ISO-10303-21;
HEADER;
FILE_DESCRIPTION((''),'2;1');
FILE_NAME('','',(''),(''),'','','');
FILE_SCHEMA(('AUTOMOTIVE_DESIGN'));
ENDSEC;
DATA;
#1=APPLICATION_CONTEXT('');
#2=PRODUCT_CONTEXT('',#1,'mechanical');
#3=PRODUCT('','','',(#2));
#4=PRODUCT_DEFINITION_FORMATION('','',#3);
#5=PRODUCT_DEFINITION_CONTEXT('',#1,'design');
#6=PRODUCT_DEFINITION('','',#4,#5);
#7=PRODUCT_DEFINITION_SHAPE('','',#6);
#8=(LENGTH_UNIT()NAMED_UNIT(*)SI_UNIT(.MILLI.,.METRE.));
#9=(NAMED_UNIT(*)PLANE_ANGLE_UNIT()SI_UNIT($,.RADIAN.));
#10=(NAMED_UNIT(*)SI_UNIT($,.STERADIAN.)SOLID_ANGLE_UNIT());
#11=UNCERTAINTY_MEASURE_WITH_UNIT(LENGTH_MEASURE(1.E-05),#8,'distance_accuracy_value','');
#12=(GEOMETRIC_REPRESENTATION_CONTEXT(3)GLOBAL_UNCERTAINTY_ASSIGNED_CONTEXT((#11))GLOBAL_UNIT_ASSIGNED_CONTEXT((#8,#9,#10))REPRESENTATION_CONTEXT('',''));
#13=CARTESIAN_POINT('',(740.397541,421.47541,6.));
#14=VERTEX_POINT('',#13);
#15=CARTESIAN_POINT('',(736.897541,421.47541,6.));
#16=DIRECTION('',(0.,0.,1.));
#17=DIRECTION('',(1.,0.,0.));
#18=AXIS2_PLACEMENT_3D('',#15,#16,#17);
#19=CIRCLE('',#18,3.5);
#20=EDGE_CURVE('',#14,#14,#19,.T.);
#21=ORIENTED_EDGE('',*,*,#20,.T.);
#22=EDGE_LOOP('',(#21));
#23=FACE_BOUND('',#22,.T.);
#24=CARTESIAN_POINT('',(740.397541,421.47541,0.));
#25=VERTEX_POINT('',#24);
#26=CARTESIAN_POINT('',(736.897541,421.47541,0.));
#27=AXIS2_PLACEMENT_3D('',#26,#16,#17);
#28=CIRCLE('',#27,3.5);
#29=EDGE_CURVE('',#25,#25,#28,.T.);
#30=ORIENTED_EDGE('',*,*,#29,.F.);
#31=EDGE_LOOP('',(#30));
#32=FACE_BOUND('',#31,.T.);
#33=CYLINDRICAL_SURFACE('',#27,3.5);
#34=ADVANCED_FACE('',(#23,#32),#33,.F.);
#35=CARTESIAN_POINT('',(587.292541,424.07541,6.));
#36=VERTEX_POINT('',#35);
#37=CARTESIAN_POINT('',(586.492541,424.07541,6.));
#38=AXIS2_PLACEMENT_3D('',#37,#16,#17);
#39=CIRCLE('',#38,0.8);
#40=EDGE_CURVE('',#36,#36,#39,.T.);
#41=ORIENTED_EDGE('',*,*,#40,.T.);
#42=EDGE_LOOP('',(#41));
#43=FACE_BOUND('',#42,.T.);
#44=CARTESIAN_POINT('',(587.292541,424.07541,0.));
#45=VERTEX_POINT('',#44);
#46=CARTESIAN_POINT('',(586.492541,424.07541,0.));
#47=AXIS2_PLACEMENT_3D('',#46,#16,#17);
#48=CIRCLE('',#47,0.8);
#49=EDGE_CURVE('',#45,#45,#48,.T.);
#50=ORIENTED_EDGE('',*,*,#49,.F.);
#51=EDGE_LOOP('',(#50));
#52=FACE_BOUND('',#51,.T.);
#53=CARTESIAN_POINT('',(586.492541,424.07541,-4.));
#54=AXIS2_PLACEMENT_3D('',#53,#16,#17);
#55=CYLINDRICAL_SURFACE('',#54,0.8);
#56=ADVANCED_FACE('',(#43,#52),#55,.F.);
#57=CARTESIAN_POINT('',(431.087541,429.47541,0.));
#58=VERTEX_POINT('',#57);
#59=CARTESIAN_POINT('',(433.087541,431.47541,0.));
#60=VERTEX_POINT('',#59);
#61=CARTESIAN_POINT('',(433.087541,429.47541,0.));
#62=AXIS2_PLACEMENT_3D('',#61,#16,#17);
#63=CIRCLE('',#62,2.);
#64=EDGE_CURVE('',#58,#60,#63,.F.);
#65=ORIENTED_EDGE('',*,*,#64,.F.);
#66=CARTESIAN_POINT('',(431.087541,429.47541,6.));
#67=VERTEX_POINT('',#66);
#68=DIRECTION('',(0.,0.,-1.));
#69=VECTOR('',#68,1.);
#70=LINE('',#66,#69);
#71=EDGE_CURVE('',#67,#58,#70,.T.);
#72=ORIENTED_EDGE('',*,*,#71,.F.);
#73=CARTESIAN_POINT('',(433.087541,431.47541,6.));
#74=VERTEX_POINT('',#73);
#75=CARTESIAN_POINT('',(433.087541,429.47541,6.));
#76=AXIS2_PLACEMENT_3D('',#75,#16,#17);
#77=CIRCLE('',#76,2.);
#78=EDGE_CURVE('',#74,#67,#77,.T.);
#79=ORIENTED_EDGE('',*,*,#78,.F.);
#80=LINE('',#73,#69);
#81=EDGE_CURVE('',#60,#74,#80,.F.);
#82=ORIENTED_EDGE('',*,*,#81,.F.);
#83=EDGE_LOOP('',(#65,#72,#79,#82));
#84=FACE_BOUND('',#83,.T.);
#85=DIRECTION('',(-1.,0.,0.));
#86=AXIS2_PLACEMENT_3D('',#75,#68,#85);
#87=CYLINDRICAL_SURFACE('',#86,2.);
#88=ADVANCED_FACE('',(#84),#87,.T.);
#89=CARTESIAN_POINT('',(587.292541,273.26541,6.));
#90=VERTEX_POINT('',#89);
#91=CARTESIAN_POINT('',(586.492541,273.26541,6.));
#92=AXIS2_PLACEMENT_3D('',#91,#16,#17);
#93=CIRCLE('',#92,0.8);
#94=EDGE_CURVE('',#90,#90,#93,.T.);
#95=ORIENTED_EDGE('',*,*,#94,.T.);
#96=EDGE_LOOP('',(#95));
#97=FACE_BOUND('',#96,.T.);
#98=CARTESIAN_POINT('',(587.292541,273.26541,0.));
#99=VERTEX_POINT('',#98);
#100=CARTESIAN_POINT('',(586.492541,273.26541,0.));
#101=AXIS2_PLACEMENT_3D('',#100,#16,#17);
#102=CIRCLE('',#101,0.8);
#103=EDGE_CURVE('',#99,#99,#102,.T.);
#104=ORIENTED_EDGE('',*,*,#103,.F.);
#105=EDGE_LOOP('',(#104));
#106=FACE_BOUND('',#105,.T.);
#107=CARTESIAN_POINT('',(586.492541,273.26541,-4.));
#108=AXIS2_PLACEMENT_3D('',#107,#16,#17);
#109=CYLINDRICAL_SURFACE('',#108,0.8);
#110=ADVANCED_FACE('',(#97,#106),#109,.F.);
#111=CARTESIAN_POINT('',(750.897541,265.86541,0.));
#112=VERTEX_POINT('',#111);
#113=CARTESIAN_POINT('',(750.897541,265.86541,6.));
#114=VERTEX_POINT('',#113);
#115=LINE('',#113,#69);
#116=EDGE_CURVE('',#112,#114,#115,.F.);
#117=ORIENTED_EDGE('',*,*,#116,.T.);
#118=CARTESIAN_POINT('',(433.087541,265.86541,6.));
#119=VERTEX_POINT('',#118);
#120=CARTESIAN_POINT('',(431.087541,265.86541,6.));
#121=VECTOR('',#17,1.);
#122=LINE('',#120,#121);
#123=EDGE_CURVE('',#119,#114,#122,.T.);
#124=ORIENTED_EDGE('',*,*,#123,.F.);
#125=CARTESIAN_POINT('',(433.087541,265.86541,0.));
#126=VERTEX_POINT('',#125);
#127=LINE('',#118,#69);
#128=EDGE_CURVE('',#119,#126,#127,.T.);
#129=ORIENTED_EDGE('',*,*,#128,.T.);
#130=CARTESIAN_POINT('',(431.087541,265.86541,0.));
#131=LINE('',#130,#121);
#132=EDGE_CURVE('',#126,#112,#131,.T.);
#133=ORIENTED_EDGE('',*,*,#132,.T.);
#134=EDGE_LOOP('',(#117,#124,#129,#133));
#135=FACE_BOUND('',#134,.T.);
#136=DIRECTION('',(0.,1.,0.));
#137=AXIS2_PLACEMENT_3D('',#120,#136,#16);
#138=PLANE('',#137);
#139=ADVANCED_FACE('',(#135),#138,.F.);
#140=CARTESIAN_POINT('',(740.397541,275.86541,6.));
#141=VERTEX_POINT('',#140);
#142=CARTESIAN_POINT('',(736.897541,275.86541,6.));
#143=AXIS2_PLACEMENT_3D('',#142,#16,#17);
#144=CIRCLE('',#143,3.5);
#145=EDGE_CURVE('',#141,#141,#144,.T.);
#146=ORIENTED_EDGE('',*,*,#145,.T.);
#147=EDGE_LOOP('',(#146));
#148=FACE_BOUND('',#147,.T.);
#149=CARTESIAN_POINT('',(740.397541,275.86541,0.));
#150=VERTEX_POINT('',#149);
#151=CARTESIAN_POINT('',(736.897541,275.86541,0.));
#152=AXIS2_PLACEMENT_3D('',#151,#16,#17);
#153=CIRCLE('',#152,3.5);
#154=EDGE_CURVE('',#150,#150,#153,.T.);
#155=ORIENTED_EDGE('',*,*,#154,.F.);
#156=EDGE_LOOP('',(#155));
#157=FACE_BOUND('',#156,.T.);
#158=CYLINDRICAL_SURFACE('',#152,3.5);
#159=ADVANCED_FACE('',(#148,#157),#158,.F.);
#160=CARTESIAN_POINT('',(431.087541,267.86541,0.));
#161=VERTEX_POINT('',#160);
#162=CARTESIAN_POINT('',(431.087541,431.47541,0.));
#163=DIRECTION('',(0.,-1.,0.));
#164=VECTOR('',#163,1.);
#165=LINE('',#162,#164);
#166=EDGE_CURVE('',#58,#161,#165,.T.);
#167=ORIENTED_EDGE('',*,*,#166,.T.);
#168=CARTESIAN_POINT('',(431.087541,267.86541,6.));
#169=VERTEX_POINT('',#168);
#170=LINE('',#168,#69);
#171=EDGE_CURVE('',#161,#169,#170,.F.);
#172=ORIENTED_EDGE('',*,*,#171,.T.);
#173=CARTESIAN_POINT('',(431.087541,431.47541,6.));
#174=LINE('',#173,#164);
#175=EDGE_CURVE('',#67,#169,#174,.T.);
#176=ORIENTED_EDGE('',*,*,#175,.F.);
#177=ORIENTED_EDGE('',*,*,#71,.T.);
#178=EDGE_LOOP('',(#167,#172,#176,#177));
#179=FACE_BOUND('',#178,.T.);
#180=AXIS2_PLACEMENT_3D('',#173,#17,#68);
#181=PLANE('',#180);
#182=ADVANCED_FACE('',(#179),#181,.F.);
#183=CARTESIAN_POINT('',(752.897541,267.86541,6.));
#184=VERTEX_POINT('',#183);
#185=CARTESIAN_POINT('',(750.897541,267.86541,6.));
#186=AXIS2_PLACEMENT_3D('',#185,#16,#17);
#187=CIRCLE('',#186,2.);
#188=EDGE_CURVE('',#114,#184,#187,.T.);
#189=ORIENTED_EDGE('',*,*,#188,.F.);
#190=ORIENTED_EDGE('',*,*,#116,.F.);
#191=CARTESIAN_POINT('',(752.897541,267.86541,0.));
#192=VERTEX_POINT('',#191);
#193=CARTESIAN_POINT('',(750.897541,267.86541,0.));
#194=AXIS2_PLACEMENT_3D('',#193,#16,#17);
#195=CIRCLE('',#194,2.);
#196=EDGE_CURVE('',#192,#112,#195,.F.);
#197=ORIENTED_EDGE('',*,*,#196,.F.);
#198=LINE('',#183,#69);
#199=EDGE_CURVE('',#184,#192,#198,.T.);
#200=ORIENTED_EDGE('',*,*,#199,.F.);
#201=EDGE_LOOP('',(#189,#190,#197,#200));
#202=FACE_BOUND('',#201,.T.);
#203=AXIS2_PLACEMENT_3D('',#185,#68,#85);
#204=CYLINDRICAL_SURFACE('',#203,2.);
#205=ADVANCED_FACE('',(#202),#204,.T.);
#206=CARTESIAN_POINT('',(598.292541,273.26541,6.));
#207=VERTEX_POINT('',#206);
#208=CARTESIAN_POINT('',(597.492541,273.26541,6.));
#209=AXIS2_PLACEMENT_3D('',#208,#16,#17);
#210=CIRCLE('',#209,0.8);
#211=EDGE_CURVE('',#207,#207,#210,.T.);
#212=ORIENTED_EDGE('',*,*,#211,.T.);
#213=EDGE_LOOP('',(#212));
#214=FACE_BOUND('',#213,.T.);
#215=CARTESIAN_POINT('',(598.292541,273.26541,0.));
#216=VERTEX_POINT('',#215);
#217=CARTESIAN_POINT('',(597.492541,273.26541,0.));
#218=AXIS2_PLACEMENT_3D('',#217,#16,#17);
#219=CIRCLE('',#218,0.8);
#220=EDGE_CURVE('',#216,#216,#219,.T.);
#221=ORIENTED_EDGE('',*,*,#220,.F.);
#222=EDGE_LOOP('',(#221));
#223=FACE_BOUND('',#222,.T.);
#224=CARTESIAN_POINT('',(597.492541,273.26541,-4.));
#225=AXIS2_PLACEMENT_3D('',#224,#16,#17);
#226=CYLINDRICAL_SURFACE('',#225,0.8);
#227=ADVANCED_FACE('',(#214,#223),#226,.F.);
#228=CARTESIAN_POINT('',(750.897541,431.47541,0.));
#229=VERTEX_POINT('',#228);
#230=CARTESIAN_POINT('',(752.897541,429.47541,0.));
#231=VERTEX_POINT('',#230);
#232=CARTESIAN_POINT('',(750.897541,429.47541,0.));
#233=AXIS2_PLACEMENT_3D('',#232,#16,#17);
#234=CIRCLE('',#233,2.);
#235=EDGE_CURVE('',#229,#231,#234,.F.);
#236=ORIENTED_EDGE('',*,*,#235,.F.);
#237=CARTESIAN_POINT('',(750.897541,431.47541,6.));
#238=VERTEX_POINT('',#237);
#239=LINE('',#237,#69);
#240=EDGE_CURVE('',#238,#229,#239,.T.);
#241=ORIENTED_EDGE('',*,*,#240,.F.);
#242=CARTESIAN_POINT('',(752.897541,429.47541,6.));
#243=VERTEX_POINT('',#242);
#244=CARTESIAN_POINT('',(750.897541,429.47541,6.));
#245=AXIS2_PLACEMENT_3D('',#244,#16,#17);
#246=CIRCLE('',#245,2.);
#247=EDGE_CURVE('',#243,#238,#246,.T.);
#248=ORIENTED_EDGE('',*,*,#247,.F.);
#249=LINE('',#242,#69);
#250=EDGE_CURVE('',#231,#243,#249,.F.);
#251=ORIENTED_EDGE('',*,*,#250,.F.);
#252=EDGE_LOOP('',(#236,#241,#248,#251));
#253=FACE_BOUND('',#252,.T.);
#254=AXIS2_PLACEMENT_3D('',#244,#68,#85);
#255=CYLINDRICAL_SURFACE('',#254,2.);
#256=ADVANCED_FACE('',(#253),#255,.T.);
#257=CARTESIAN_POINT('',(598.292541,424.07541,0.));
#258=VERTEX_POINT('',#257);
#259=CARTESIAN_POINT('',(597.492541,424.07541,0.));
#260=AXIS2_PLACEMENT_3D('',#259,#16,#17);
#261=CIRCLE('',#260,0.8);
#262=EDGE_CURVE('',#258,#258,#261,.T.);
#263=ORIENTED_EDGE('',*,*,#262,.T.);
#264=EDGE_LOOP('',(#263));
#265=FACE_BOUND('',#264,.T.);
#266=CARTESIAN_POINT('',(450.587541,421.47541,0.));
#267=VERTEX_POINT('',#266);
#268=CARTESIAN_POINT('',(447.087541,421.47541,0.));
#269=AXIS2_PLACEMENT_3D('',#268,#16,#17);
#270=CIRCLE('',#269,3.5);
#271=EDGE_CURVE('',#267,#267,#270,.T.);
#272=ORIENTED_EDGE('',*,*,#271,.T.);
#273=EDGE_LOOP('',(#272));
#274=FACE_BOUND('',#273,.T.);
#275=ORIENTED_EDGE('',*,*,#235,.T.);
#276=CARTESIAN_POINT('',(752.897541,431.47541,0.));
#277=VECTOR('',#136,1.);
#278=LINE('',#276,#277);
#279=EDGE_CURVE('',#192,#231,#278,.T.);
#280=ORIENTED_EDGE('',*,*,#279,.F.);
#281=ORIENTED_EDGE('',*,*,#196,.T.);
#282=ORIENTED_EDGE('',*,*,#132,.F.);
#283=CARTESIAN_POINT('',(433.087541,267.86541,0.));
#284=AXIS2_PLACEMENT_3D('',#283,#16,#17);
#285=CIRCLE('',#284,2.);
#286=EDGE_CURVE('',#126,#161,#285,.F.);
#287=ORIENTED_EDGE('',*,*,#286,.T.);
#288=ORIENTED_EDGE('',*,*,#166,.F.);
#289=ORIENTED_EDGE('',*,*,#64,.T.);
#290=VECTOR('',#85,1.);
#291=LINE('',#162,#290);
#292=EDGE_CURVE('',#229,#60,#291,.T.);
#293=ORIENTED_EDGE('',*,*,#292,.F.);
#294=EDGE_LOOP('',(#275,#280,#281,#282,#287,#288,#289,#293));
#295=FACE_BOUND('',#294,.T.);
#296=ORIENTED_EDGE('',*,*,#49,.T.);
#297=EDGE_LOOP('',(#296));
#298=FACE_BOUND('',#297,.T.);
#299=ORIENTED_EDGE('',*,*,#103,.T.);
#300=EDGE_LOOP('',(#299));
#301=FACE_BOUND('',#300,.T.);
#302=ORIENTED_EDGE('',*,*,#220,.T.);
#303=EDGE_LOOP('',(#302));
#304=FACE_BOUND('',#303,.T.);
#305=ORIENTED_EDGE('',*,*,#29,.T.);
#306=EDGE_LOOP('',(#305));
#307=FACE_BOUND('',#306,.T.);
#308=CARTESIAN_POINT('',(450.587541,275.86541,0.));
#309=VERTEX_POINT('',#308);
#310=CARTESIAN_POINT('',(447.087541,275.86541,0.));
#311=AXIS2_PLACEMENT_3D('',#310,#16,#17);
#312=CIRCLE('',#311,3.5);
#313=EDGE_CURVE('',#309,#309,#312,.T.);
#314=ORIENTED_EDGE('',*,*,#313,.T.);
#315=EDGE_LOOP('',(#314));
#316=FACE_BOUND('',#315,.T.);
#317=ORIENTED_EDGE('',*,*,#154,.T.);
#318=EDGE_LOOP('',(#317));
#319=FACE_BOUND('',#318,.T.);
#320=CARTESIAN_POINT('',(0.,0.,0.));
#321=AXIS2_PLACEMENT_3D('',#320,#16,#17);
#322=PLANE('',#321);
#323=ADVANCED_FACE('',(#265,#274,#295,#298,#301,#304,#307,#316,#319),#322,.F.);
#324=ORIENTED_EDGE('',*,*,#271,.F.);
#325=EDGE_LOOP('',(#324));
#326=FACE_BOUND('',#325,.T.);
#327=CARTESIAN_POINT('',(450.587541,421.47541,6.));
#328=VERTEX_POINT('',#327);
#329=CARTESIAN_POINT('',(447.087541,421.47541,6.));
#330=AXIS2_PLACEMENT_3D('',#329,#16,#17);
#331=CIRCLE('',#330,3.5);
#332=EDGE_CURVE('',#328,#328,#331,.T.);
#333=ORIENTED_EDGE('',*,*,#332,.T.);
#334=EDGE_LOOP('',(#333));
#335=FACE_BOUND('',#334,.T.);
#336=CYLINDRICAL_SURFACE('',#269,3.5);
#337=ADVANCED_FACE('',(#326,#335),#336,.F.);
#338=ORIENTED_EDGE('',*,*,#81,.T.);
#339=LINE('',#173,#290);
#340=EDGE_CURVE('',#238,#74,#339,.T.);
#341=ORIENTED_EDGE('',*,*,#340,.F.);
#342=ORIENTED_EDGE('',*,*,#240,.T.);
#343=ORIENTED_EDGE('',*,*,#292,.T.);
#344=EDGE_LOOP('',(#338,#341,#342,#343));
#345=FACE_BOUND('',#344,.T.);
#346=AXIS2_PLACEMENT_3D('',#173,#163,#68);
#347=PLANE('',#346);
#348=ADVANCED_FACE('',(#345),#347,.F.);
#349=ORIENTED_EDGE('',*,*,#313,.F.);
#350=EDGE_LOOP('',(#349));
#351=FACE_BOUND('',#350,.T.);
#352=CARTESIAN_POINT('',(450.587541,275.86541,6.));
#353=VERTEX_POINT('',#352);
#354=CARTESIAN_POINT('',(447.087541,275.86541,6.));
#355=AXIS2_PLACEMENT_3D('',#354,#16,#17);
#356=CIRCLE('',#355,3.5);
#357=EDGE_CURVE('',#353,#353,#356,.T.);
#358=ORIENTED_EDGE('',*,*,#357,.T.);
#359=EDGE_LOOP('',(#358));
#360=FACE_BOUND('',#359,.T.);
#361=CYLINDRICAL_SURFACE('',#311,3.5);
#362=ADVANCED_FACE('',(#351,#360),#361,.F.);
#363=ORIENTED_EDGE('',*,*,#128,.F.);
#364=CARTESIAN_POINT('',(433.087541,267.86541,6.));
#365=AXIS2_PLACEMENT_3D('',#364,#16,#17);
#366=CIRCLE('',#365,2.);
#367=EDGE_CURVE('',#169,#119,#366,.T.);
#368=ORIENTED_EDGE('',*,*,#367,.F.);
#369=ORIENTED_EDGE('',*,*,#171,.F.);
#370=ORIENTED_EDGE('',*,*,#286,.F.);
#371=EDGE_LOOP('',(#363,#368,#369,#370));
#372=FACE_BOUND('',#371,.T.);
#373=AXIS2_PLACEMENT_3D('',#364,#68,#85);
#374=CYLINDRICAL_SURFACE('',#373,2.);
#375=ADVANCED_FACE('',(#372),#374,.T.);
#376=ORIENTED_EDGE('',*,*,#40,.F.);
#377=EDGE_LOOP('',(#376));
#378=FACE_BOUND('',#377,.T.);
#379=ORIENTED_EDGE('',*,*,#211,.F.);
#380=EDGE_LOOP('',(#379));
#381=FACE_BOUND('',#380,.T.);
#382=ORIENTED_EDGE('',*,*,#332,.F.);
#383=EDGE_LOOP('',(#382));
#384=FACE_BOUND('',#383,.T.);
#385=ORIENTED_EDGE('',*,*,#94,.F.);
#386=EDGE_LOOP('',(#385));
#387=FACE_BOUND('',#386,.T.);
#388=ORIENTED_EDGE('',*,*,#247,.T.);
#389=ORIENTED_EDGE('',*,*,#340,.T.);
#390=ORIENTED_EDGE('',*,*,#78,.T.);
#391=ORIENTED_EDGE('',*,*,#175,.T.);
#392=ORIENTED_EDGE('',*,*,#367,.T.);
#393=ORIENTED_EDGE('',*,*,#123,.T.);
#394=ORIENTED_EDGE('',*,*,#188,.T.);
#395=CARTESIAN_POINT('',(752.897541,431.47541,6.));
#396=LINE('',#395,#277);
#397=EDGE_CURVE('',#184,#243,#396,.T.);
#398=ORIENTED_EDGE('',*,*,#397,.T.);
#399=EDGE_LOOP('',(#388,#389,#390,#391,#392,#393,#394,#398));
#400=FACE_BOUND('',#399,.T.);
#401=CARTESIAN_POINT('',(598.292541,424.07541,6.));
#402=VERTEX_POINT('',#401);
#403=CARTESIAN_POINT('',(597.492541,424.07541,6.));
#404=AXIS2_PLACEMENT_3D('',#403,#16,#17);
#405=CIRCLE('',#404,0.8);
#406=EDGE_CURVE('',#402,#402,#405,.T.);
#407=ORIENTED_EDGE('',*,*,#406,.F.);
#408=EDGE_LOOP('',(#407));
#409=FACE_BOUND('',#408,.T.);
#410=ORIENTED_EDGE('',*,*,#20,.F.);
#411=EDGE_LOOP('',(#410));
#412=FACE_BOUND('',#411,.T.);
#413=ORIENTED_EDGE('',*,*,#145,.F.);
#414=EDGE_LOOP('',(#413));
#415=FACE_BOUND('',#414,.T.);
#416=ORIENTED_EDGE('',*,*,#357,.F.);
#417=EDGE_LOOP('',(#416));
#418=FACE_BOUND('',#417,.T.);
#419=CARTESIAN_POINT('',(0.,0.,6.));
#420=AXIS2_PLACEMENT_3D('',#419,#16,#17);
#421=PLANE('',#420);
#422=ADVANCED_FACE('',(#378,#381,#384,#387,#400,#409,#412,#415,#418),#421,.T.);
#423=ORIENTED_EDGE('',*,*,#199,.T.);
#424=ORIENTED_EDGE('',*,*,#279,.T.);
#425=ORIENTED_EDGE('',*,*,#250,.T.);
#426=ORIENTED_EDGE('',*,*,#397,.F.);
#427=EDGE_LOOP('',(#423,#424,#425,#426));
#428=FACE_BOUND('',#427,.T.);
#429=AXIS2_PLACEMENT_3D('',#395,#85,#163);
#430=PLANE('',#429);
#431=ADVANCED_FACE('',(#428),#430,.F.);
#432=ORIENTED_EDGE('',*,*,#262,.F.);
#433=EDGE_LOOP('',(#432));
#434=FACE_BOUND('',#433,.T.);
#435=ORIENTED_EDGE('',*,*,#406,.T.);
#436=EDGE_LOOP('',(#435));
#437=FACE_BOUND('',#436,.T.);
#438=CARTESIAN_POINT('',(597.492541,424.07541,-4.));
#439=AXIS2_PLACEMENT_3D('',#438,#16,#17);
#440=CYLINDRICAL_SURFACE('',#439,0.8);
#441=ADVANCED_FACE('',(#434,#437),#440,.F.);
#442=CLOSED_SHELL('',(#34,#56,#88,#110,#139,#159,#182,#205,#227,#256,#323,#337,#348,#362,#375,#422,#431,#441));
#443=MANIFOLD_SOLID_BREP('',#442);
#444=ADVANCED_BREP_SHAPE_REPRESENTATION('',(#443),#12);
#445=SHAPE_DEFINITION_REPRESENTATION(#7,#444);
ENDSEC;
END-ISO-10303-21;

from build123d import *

# Parameters (mm, degrees)
SKETCH1_W           = 321.81
SKETCH1_H           = 165.61
BOSS_EXTRUDE1_DEPTH = 6
SKETCH3_R           = 3.5
CUT_EXTRUDE1_DEPTH  = 7
SKETCH6_R           = 0.8
CUT_EXTRUDE5_DEPTH  = 10
FILLET1_R           = 2


with BuildPart() as part:
    # Sketch1 → Boss-Extrude1 (new body)
    with BuildSketch(Plane.XY):
        with Locations((591.992540984, 348.670409836)):
            Rectangle(SKETCH1_W, SKETCH1_H)
    extrude(amount=BOSS_EXTRUDE1_DEPTH)

    # Sketch3 → Cut-Extrude1 (cut, through all)
    with BuildSketch(Plane.XY.offset(6)):
        with Locations((447.087540984, 421.475409836)):
            Circle(SKETCH3_R)
        with Locations((736.897540984, 421.475409836)):
            Circle(SKETCH3_R)
        with Locations((736.897540984, 275.865409836)):
            Circle(SKETCH3_R)
        with Locations((447.087540984, 275.865409836)):
            Circle(SKETCH3_R)
    extrude(amount=-CUT_EXTRUDE1_DEPTH, mode=Mode.SUBTRACT)

    # Sketch6 → Cut-Extrude5 (cut)
    with BuildSketch(Plane.XY.offset(6)):
        with Locations((586.492540984, 424.075409836)):
            Circle(SKETCH6_R)
        with Locations((597.492540984, 424.075409836)):
            Circle(SKETCH6_R)
        with Locations((586.492540984, 273.265409836)):
            Circle(SKETCH6_R)
        with Locations((597.492540984, 273.265409836)):
            Circle(SKETCH6_R)
    extrude(amount=-CUT_EXTRUDE5_DEPTH, mode=Mode.SUBTRACT)

    # Fillet1
    fillet1_edges = [part.edges().sort_by_distance(p)[0] for p in [
        (431.087540984, 431.475409836, 3),
        (752.897540984, 431.475409836, 3),
        (752.897540984, 265.865409836, 3),
        (431.087540984, 265.865409836, 3),
    ]]
    fillet(fillet1_edges, radius=FILLET1_R)


solid = part.part
